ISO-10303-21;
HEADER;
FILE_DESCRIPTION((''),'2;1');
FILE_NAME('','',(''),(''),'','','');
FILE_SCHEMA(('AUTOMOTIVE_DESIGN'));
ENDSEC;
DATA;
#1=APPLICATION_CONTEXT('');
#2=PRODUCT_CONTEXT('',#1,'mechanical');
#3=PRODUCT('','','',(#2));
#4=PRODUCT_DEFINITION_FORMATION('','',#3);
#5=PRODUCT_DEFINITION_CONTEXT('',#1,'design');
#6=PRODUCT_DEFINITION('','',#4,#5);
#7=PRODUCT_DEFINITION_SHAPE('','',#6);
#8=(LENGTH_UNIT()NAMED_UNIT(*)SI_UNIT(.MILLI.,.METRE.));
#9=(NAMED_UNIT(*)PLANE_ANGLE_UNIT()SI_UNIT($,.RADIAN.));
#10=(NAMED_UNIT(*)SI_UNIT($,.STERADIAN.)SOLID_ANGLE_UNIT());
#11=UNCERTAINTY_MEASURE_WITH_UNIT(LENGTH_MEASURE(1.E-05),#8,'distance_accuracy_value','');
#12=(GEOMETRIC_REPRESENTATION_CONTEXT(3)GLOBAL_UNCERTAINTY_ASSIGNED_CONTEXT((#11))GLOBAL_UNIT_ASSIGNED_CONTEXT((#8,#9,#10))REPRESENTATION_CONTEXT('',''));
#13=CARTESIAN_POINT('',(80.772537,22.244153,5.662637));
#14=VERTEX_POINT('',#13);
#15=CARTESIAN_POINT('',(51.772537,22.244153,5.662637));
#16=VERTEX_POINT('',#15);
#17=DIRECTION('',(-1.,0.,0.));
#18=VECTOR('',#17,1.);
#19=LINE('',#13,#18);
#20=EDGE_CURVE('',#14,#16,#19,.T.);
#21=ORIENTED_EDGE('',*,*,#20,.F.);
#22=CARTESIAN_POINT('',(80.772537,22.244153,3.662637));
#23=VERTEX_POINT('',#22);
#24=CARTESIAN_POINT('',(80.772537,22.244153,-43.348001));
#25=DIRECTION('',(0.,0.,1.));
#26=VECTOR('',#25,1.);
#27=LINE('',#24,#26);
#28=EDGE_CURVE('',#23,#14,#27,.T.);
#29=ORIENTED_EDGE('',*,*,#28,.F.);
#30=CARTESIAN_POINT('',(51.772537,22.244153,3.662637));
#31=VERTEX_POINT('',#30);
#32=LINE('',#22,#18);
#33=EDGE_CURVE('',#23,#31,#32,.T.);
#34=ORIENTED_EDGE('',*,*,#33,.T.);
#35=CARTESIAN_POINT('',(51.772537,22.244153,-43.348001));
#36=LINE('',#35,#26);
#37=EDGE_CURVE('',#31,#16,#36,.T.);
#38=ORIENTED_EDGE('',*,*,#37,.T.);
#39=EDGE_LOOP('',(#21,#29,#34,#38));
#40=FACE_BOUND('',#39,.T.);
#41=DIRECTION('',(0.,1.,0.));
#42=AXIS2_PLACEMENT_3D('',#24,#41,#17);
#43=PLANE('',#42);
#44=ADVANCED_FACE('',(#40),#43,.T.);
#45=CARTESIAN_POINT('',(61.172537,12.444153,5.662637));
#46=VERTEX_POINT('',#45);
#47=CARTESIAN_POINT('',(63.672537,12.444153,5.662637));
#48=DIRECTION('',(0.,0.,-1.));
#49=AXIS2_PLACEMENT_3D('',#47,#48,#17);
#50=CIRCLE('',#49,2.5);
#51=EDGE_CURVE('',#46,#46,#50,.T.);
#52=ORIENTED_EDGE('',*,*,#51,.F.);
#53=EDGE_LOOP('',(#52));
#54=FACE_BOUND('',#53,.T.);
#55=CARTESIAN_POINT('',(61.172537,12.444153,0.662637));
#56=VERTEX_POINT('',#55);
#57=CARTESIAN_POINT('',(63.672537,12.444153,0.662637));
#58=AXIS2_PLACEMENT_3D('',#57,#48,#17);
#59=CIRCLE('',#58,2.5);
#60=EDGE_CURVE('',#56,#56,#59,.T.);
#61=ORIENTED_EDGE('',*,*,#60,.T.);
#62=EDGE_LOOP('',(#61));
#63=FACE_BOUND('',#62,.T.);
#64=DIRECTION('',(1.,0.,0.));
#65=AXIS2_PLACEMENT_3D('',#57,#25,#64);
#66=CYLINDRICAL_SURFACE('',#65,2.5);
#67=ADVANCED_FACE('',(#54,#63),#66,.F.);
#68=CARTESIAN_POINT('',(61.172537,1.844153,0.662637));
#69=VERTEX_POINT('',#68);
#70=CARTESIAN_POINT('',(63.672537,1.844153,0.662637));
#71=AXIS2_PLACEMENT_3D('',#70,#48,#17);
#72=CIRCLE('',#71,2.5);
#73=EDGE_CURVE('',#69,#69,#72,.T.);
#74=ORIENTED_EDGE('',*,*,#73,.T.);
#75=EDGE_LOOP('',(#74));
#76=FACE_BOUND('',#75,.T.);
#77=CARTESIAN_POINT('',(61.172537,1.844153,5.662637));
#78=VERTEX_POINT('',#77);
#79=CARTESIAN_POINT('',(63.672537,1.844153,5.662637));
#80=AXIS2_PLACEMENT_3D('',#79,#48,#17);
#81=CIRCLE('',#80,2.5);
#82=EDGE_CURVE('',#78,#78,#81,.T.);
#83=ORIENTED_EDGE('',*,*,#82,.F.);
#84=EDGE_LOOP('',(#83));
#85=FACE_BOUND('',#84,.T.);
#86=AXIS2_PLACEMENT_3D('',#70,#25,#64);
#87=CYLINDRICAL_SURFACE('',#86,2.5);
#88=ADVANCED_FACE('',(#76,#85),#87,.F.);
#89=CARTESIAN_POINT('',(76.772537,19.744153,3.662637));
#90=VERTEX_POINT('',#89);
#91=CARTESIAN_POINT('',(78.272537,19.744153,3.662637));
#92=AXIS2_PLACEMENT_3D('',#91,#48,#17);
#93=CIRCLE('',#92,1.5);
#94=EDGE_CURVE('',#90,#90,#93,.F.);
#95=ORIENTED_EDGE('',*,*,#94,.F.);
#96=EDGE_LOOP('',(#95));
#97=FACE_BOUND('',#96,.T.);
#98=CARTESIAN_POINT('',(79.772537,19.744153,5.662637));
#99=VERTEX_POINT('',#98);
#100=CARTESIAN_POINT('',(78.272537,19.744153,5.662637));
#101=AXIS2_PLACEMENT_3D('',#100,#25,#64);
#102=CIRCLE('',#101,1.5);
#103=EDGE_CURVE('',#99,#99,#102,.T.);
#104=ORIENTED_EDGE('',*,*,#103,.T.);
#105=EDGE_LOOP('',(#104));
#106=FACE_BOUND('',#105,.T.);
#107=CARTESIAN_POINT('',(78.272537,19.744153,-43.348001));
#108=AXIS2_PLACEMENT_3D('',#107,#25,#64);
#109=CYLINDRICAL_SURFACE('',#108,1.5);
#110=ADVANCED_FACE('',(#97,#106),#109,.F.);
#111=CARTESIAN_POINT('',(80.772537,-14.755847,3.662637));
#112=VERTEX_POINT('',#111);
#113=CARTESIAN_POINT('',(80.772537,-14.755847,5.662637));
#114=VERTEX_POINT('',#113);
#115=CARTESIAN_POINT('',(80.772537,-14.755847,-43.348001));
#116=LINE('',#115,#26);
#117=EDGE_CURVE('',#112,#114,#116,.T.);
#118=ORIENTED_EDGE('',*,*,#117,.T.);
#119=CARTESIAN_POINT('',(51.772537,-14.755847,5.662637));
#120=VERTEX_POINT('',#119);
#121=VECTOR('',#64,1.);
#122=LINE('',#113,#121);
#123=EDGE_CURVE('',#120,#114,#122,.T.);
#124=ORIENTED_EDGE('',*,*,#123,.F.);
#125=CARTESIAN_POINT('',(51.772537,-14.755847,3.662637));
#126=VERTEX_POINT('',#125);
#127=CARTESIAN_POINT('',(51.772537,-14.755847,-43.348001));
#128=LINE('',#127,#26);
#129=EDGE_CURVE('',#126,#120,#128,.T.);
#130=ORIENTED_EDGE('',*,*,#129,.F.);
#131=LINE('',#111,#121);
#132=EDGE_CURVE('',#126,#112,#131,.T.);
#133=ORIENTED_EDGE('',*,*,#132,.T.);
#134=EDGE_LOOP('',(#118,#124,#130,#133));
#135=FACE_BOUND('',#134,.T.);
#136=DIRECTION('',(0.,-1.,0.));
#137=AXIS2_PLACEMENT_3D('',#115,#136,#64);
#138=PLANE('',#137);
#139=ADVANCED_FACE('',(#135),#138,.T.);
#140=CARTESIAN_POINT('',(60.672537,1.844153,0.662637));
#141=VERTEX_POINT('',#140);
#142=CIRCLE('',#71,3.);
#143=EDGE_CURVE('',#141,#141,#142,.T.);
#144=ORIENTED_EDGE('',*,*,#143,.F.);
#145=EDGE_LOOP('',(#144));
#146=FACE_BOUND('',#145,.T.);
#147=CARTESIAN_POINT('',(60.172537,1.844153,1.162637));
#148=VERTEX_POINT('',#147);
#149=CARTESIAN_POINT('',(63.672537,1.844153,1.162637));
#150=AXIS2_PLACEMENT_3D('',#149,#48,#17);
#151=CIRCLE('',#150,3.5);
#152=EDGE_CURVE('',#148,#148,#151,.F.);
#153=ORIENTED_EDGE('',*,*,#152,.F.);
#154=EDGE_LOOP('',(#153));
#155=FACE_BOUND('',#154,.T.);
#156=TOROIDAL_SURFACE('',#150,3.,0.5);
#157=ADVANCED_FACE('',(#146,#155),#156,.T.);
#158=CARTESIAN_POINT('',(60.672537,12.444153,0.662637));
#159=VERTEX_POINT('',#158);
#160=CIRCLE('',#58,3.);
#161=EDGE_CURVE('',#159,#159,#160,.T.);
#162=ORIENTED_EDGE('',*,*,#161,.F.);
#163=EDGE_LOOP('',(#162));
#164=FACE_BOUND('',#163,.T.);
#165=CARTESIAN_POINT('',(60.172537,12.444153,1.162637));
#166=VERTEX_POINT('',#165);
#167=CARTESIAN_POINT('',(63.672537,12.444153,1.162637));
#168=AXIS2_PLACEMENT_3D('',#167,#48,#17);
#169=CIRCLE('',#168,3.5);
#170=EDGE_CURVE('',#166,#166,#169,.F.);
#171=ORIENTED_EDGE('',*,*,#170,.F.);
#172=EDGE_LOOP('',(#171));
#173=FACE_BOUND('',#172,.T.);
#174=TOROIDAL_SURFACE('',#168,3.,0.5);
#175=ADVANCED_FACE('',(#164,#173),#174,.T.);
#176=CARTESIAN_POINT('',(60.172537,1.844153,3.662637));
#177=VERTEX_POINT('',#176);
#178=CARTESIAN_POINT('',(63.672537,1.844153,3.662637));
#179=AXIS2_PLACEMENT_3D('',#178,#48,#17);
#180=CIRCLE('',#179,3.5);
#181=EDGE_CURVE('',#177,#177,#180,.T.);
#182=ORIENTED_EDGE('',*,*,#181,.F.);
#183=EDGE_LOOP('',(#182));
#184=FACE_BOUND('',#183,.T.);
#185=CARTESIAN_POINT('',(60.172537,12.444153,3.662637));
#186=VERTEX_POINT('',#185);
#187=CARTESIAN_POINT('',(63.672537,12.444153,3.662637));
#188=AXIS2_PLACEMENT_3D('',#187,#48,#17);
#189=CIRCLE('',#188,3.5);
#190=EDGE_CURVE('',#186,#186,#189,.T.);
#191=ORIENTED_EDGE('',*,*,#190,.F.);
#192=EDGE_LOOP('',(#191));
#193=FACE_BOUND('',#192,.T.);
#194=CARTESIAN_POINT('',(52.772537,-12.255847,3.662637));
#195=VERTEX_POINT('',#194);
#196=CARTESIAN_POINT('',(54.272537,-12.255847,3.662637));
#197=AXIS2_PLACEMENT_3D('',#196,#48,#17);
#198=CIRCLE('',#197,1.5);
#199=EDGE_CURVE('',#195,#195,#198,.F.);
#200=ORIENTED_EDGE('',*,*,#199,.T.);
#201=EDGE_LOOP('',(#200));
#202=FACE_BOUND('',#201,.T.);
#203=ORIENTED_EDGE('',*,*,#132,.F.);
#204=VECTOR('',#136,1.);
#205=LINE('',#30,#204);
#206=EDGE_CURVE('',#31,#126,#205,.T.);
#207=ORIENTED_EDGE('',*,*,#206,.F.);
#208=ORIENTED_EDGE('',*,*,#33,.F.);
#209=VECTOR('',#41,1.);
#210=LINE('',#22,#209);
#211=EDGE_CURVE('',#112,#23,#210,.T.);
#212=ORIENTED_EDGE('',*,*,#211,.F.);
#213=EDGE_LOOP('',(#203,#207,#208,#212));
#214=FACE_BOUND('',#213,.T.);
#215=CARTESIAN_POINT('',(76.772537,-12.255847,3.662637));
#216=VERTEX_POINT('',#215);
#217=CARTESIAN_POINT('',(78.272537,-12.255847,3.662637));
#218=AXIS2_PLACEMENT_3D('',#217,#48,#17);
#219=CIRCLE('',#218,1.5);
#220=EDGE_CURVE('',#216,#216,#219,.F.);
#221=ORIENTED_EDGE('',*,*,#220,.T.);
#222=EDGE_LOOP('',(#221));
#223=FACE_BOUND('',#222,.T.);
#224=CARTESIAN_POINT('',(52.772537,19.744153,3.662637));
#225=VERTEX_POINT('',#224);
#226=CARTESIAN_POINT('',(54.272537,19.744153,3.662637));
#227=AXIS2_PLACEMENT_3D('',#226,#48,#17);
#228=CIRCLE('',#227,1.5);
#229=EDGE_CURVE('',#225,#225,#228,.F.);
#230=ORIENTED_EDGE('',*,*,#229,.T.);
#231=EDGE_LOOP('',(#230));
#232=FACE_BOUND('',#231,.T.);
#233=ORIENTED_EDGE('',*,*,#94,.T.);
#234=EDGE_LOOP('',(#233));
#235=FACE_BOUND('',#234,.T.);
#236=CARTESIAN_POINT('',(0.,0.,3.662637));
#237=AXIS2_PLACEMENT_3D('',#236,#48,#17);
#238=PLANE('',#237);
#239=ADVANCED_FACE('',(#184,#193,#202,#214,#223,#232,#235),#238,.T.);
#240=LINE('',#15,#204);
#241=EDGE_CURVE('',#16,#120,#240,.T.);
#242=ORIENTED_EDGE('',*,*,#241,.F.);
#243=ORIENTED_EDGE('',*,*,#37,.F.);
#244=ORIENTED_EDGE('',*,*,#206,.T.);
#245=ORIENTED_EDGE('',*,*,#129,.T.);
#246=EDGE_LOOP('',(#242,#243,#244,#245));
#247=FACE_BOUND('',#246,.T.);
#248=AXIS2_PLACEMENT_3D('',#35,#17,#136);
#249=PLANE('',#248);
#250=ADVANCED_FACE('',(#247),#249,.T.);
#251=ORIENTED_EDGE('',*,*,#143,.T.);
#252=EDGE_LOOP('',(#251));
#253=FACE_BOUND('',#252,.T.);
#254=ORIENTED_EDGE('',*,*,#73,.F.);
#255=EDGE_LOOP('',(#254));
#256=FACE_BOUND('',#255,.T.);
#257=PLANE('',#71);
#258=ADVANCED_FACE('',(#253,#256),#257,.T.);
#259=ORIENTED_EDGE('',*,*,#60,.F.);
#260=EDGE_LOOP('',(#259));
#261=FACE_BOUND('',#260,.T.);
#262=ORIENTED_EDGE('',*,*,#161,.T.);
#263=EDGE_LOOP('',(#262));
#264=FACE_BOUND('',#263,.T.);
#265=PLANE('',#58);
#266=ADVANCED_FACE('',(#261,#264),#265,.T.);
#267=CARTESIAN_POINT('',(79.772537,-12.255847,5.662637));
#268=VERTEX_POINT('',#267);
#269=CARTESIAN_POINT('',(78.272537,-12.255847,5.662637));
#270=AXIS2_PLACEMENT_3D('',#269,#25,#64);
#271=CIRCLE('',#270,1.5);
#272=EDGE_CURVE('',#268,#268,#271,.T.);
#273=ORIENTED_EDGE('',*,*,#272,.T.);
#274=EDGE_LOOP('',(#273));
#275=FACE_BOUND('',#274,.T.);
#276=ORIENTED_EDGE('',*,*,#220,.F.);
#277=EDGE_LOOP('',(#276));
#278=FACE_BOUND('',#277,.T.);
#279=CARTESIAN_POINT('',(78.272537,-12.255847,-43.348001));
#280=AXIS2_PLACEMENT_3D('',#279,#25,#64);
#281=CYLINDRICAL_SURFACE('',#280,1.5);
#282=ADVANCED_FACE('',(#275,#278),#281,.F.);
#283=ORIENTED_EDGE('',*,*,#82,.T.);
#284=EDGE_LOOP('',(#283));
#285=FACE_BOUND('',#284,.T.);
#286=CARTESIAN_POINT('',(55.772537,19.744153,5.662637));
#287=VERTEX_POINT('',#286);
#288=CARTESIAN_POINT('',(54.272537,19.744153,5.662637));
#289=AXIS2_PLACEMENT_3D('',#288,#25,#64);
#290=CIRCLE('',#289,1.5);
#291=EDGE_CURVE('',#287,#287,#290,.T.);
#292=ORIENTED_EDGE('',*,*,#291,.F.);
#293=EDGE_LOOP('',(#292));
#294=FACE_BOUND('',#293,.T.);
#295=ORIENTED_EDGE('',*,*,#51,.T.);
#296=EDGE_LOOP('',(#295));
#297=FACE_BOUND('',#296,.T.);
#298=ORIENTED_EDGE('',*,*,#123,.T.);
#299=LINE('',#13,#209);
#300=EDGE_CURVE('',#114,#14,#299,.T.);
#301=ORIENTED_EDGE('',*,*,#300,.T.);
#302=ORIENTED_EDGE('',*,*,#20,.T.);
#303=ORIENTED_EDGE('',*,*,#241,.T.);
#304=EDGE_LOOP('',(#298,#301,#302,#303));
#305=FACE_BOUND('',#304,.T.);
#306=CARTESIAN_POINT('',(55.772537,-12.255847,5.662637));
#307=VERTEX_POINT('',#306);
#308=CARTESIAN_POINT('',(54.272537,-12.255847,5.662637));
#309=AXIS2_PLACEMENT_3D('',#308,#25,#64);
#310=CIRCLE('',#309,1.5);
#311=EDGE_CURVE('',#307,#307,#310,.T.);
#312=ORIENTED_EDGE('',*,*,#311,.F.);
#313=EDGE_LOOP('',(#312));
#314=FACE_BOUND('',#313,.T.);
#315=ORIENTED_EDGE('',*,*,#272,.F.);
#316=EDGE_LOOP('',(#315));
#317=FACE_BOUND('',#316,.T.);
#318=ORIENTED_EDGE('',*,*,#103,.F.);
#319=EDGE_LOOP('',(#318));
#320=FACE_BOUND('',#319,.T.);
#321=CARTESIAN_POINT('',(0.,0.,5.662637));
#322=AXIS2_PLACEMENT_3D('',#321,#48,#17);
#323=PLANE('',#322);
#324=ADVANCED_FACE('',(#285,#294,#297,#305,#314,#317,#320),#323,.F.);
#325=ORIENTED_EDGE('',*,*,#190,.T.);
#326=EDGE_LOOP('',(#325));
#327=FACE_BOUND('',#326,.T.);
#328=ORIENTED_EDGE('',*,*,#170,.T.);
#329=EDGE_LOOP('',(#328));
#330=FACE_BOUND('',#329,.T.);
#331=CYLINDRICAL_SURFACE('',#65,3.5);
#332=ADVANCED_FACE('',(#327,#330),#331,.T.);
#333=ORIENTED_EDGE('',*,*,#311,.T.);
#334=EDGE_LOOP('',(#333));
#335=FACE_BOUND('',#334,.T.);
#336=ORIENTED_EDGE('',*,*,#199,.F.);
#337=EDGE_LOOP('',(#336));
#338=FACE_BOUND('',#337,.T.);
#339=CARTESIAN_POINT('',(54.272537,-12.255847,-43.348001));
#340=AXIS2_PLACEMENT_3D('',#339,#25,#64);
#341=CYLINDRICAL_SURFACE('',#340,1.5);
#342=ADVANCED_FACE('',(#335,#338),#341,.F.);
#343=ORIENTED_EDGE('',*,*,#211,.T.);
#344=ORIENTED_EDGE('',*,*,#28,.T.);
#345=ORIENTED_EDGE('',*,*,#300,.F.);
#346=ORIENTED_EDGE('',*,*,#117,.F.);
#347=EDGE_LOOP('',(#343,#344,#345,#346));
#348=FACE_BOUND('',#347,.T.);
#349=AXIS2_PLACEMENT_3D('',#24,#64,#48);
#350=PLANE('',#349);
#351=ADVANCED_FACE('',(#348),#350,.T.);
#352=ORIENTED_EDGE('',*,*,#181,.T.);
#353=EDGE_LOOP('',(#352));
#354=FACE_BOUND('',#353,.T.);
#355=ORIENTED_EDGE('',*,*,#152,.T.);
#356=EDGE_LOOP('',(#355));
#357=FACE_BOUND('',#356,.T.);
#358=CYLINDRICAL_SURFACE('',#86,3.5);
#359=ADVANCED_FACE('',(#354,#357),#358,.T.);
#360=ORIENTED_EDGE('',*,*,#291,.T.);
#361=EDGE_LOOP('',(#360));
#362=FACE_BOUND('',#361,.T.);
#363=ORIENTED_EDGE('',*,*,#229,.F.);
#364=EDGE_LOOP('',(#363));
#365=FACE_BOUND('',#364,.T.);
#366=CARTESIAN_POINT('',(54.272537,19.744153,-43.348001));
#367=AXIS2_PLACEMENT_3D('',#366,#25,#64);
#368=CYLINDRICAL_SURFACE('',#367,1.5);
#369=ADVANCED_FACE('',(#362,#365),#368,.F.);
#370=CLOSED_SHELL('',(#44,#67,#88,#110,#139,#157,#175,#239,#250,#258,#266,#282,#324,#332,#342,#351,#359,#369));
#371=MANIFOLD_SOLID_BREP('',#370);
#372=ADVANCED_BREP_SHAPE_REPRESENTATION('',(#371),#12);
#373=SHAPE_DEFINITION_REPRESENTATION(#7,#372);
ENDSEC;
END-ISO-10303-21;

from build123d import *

# Parameters (mm, degrees)
SKETCH2_W           = 19
SKETCH2_H           = 27
SKETCH2_R           = 3.5
BOSS_EXTRUDE1_DEPTH = 2
SKETCH3_R           = 3.5
SKETCH3_R_2         = 2.5
BOSS_EXTRUDE2_DEPTH = 5
FILLET1_R           = 0.5
SKETCH6_W           = 29
SKETCH6_H           = 37
SKETCH6_R           = 1.5
SKETCH6_W_2         = 19
SKETCH6_H_2         = 27
BOSS_EXTRUDE6_DEPTH = 2


with BuildPart() as part:
    # Sketch2 → Boss-Extrude1 (new body)
    with BuildSketch(Plane(origin=(0, 0, 5.662636572), x_dir=(-1, 0, 0), z_dir=(0, 0, -1))):
        with Locations((-66.272536925, 3.74415348)):
            Rectangle(SKETCH2_W, SKETCH2_H)
        with Locations((-63.672536925, 12.44415348)):
            Circle(SKETCH2_R, mode=Mode.SUBTRACT)
        with Locations((-63.672536925, 1.84415348)):
            Circle(SKETCH2_R, mode=Mode.SUBTRACT)
    extrude(amount=BOSS_EXTRUDE1_DEPTH)

    # Sketch3 → Boss-Extrude2 (add)
    # profile 1 of 2: a face of its own
    with BuildSketch(Plane(origin=(0, 0, 5.662636572), x_dir=(-1, 0, 0), z_dir=(0, 0, -1))):
        with Locations((-63.672536925, 12.44415348)):
            Circle(SKETCH3_R)
        with Locations((-63.672536925, 12.44415348)):
            Circle(SKETCH3_R_2, mode=Mode.SUBTRACT)
    # profile 2 of 2: a face of its own
    with BuildSketch(Plane(origin=(0, 0, 5.662636572), x_dir=(-1, 0, 0), z_dir=(0, 0, -1))):
        with Locations((-63.672536925, 1.84415348)):
            Circle(SKETCH3_R)
        with Locations((-63.672536925, 1.84415348)):
            Circle(SKETCH3_R_2, mode=Mode.SUBTRACT)
    extrude(amount=BOSS_EXTRUDE2_DEPTH)

    # Fillet1
    fillet1_edges = [part.edges().sort_by_distance(p)[0] for p in [
        (67.172536925, 12.44415348, 0.662636572),
        (67.172536925, 1.84415348, 0.662636572),
    ]]
    fillet(fillet1_edges, radius=FILLET1_R)

    # Sketch6 → Boss-Extrude6 (add)
    with BuildSketch(Plane.XY.offset(5.662636572)):
        with Locations((66.272536925, 3.74415348)):
            Rectangle(SKETCH6_W, SKETCH6_H)
        with Locations((54.272536925, 19.74415348)):
            Circle(SKETCH6_R, mode=Mode.SUBTRACT)
        with Locations((78.272536925, 19.74415348)):
            Circle(SKETCH6_R, mode=Mode.SUBTRACT)
        with Locations((78.272536925, -12.25584652)):
            Circle(SKETCH6_R, mode=Mode.SUBTRACT)
        with Locations((54.272536925, -12.25584652)):
            Circle(SKETCH6_R, mode=Mode.SUBTRACT)
        with Locations((66.272536925, 3.74415348)):
            Rectangle(SKETCH6_W_2, SKETCH6_H_2, mode=Mode.SUBTRACT)
    extrude(amount=-BOSS_EXTRUDE6_DEPTH)


solid = part.part
